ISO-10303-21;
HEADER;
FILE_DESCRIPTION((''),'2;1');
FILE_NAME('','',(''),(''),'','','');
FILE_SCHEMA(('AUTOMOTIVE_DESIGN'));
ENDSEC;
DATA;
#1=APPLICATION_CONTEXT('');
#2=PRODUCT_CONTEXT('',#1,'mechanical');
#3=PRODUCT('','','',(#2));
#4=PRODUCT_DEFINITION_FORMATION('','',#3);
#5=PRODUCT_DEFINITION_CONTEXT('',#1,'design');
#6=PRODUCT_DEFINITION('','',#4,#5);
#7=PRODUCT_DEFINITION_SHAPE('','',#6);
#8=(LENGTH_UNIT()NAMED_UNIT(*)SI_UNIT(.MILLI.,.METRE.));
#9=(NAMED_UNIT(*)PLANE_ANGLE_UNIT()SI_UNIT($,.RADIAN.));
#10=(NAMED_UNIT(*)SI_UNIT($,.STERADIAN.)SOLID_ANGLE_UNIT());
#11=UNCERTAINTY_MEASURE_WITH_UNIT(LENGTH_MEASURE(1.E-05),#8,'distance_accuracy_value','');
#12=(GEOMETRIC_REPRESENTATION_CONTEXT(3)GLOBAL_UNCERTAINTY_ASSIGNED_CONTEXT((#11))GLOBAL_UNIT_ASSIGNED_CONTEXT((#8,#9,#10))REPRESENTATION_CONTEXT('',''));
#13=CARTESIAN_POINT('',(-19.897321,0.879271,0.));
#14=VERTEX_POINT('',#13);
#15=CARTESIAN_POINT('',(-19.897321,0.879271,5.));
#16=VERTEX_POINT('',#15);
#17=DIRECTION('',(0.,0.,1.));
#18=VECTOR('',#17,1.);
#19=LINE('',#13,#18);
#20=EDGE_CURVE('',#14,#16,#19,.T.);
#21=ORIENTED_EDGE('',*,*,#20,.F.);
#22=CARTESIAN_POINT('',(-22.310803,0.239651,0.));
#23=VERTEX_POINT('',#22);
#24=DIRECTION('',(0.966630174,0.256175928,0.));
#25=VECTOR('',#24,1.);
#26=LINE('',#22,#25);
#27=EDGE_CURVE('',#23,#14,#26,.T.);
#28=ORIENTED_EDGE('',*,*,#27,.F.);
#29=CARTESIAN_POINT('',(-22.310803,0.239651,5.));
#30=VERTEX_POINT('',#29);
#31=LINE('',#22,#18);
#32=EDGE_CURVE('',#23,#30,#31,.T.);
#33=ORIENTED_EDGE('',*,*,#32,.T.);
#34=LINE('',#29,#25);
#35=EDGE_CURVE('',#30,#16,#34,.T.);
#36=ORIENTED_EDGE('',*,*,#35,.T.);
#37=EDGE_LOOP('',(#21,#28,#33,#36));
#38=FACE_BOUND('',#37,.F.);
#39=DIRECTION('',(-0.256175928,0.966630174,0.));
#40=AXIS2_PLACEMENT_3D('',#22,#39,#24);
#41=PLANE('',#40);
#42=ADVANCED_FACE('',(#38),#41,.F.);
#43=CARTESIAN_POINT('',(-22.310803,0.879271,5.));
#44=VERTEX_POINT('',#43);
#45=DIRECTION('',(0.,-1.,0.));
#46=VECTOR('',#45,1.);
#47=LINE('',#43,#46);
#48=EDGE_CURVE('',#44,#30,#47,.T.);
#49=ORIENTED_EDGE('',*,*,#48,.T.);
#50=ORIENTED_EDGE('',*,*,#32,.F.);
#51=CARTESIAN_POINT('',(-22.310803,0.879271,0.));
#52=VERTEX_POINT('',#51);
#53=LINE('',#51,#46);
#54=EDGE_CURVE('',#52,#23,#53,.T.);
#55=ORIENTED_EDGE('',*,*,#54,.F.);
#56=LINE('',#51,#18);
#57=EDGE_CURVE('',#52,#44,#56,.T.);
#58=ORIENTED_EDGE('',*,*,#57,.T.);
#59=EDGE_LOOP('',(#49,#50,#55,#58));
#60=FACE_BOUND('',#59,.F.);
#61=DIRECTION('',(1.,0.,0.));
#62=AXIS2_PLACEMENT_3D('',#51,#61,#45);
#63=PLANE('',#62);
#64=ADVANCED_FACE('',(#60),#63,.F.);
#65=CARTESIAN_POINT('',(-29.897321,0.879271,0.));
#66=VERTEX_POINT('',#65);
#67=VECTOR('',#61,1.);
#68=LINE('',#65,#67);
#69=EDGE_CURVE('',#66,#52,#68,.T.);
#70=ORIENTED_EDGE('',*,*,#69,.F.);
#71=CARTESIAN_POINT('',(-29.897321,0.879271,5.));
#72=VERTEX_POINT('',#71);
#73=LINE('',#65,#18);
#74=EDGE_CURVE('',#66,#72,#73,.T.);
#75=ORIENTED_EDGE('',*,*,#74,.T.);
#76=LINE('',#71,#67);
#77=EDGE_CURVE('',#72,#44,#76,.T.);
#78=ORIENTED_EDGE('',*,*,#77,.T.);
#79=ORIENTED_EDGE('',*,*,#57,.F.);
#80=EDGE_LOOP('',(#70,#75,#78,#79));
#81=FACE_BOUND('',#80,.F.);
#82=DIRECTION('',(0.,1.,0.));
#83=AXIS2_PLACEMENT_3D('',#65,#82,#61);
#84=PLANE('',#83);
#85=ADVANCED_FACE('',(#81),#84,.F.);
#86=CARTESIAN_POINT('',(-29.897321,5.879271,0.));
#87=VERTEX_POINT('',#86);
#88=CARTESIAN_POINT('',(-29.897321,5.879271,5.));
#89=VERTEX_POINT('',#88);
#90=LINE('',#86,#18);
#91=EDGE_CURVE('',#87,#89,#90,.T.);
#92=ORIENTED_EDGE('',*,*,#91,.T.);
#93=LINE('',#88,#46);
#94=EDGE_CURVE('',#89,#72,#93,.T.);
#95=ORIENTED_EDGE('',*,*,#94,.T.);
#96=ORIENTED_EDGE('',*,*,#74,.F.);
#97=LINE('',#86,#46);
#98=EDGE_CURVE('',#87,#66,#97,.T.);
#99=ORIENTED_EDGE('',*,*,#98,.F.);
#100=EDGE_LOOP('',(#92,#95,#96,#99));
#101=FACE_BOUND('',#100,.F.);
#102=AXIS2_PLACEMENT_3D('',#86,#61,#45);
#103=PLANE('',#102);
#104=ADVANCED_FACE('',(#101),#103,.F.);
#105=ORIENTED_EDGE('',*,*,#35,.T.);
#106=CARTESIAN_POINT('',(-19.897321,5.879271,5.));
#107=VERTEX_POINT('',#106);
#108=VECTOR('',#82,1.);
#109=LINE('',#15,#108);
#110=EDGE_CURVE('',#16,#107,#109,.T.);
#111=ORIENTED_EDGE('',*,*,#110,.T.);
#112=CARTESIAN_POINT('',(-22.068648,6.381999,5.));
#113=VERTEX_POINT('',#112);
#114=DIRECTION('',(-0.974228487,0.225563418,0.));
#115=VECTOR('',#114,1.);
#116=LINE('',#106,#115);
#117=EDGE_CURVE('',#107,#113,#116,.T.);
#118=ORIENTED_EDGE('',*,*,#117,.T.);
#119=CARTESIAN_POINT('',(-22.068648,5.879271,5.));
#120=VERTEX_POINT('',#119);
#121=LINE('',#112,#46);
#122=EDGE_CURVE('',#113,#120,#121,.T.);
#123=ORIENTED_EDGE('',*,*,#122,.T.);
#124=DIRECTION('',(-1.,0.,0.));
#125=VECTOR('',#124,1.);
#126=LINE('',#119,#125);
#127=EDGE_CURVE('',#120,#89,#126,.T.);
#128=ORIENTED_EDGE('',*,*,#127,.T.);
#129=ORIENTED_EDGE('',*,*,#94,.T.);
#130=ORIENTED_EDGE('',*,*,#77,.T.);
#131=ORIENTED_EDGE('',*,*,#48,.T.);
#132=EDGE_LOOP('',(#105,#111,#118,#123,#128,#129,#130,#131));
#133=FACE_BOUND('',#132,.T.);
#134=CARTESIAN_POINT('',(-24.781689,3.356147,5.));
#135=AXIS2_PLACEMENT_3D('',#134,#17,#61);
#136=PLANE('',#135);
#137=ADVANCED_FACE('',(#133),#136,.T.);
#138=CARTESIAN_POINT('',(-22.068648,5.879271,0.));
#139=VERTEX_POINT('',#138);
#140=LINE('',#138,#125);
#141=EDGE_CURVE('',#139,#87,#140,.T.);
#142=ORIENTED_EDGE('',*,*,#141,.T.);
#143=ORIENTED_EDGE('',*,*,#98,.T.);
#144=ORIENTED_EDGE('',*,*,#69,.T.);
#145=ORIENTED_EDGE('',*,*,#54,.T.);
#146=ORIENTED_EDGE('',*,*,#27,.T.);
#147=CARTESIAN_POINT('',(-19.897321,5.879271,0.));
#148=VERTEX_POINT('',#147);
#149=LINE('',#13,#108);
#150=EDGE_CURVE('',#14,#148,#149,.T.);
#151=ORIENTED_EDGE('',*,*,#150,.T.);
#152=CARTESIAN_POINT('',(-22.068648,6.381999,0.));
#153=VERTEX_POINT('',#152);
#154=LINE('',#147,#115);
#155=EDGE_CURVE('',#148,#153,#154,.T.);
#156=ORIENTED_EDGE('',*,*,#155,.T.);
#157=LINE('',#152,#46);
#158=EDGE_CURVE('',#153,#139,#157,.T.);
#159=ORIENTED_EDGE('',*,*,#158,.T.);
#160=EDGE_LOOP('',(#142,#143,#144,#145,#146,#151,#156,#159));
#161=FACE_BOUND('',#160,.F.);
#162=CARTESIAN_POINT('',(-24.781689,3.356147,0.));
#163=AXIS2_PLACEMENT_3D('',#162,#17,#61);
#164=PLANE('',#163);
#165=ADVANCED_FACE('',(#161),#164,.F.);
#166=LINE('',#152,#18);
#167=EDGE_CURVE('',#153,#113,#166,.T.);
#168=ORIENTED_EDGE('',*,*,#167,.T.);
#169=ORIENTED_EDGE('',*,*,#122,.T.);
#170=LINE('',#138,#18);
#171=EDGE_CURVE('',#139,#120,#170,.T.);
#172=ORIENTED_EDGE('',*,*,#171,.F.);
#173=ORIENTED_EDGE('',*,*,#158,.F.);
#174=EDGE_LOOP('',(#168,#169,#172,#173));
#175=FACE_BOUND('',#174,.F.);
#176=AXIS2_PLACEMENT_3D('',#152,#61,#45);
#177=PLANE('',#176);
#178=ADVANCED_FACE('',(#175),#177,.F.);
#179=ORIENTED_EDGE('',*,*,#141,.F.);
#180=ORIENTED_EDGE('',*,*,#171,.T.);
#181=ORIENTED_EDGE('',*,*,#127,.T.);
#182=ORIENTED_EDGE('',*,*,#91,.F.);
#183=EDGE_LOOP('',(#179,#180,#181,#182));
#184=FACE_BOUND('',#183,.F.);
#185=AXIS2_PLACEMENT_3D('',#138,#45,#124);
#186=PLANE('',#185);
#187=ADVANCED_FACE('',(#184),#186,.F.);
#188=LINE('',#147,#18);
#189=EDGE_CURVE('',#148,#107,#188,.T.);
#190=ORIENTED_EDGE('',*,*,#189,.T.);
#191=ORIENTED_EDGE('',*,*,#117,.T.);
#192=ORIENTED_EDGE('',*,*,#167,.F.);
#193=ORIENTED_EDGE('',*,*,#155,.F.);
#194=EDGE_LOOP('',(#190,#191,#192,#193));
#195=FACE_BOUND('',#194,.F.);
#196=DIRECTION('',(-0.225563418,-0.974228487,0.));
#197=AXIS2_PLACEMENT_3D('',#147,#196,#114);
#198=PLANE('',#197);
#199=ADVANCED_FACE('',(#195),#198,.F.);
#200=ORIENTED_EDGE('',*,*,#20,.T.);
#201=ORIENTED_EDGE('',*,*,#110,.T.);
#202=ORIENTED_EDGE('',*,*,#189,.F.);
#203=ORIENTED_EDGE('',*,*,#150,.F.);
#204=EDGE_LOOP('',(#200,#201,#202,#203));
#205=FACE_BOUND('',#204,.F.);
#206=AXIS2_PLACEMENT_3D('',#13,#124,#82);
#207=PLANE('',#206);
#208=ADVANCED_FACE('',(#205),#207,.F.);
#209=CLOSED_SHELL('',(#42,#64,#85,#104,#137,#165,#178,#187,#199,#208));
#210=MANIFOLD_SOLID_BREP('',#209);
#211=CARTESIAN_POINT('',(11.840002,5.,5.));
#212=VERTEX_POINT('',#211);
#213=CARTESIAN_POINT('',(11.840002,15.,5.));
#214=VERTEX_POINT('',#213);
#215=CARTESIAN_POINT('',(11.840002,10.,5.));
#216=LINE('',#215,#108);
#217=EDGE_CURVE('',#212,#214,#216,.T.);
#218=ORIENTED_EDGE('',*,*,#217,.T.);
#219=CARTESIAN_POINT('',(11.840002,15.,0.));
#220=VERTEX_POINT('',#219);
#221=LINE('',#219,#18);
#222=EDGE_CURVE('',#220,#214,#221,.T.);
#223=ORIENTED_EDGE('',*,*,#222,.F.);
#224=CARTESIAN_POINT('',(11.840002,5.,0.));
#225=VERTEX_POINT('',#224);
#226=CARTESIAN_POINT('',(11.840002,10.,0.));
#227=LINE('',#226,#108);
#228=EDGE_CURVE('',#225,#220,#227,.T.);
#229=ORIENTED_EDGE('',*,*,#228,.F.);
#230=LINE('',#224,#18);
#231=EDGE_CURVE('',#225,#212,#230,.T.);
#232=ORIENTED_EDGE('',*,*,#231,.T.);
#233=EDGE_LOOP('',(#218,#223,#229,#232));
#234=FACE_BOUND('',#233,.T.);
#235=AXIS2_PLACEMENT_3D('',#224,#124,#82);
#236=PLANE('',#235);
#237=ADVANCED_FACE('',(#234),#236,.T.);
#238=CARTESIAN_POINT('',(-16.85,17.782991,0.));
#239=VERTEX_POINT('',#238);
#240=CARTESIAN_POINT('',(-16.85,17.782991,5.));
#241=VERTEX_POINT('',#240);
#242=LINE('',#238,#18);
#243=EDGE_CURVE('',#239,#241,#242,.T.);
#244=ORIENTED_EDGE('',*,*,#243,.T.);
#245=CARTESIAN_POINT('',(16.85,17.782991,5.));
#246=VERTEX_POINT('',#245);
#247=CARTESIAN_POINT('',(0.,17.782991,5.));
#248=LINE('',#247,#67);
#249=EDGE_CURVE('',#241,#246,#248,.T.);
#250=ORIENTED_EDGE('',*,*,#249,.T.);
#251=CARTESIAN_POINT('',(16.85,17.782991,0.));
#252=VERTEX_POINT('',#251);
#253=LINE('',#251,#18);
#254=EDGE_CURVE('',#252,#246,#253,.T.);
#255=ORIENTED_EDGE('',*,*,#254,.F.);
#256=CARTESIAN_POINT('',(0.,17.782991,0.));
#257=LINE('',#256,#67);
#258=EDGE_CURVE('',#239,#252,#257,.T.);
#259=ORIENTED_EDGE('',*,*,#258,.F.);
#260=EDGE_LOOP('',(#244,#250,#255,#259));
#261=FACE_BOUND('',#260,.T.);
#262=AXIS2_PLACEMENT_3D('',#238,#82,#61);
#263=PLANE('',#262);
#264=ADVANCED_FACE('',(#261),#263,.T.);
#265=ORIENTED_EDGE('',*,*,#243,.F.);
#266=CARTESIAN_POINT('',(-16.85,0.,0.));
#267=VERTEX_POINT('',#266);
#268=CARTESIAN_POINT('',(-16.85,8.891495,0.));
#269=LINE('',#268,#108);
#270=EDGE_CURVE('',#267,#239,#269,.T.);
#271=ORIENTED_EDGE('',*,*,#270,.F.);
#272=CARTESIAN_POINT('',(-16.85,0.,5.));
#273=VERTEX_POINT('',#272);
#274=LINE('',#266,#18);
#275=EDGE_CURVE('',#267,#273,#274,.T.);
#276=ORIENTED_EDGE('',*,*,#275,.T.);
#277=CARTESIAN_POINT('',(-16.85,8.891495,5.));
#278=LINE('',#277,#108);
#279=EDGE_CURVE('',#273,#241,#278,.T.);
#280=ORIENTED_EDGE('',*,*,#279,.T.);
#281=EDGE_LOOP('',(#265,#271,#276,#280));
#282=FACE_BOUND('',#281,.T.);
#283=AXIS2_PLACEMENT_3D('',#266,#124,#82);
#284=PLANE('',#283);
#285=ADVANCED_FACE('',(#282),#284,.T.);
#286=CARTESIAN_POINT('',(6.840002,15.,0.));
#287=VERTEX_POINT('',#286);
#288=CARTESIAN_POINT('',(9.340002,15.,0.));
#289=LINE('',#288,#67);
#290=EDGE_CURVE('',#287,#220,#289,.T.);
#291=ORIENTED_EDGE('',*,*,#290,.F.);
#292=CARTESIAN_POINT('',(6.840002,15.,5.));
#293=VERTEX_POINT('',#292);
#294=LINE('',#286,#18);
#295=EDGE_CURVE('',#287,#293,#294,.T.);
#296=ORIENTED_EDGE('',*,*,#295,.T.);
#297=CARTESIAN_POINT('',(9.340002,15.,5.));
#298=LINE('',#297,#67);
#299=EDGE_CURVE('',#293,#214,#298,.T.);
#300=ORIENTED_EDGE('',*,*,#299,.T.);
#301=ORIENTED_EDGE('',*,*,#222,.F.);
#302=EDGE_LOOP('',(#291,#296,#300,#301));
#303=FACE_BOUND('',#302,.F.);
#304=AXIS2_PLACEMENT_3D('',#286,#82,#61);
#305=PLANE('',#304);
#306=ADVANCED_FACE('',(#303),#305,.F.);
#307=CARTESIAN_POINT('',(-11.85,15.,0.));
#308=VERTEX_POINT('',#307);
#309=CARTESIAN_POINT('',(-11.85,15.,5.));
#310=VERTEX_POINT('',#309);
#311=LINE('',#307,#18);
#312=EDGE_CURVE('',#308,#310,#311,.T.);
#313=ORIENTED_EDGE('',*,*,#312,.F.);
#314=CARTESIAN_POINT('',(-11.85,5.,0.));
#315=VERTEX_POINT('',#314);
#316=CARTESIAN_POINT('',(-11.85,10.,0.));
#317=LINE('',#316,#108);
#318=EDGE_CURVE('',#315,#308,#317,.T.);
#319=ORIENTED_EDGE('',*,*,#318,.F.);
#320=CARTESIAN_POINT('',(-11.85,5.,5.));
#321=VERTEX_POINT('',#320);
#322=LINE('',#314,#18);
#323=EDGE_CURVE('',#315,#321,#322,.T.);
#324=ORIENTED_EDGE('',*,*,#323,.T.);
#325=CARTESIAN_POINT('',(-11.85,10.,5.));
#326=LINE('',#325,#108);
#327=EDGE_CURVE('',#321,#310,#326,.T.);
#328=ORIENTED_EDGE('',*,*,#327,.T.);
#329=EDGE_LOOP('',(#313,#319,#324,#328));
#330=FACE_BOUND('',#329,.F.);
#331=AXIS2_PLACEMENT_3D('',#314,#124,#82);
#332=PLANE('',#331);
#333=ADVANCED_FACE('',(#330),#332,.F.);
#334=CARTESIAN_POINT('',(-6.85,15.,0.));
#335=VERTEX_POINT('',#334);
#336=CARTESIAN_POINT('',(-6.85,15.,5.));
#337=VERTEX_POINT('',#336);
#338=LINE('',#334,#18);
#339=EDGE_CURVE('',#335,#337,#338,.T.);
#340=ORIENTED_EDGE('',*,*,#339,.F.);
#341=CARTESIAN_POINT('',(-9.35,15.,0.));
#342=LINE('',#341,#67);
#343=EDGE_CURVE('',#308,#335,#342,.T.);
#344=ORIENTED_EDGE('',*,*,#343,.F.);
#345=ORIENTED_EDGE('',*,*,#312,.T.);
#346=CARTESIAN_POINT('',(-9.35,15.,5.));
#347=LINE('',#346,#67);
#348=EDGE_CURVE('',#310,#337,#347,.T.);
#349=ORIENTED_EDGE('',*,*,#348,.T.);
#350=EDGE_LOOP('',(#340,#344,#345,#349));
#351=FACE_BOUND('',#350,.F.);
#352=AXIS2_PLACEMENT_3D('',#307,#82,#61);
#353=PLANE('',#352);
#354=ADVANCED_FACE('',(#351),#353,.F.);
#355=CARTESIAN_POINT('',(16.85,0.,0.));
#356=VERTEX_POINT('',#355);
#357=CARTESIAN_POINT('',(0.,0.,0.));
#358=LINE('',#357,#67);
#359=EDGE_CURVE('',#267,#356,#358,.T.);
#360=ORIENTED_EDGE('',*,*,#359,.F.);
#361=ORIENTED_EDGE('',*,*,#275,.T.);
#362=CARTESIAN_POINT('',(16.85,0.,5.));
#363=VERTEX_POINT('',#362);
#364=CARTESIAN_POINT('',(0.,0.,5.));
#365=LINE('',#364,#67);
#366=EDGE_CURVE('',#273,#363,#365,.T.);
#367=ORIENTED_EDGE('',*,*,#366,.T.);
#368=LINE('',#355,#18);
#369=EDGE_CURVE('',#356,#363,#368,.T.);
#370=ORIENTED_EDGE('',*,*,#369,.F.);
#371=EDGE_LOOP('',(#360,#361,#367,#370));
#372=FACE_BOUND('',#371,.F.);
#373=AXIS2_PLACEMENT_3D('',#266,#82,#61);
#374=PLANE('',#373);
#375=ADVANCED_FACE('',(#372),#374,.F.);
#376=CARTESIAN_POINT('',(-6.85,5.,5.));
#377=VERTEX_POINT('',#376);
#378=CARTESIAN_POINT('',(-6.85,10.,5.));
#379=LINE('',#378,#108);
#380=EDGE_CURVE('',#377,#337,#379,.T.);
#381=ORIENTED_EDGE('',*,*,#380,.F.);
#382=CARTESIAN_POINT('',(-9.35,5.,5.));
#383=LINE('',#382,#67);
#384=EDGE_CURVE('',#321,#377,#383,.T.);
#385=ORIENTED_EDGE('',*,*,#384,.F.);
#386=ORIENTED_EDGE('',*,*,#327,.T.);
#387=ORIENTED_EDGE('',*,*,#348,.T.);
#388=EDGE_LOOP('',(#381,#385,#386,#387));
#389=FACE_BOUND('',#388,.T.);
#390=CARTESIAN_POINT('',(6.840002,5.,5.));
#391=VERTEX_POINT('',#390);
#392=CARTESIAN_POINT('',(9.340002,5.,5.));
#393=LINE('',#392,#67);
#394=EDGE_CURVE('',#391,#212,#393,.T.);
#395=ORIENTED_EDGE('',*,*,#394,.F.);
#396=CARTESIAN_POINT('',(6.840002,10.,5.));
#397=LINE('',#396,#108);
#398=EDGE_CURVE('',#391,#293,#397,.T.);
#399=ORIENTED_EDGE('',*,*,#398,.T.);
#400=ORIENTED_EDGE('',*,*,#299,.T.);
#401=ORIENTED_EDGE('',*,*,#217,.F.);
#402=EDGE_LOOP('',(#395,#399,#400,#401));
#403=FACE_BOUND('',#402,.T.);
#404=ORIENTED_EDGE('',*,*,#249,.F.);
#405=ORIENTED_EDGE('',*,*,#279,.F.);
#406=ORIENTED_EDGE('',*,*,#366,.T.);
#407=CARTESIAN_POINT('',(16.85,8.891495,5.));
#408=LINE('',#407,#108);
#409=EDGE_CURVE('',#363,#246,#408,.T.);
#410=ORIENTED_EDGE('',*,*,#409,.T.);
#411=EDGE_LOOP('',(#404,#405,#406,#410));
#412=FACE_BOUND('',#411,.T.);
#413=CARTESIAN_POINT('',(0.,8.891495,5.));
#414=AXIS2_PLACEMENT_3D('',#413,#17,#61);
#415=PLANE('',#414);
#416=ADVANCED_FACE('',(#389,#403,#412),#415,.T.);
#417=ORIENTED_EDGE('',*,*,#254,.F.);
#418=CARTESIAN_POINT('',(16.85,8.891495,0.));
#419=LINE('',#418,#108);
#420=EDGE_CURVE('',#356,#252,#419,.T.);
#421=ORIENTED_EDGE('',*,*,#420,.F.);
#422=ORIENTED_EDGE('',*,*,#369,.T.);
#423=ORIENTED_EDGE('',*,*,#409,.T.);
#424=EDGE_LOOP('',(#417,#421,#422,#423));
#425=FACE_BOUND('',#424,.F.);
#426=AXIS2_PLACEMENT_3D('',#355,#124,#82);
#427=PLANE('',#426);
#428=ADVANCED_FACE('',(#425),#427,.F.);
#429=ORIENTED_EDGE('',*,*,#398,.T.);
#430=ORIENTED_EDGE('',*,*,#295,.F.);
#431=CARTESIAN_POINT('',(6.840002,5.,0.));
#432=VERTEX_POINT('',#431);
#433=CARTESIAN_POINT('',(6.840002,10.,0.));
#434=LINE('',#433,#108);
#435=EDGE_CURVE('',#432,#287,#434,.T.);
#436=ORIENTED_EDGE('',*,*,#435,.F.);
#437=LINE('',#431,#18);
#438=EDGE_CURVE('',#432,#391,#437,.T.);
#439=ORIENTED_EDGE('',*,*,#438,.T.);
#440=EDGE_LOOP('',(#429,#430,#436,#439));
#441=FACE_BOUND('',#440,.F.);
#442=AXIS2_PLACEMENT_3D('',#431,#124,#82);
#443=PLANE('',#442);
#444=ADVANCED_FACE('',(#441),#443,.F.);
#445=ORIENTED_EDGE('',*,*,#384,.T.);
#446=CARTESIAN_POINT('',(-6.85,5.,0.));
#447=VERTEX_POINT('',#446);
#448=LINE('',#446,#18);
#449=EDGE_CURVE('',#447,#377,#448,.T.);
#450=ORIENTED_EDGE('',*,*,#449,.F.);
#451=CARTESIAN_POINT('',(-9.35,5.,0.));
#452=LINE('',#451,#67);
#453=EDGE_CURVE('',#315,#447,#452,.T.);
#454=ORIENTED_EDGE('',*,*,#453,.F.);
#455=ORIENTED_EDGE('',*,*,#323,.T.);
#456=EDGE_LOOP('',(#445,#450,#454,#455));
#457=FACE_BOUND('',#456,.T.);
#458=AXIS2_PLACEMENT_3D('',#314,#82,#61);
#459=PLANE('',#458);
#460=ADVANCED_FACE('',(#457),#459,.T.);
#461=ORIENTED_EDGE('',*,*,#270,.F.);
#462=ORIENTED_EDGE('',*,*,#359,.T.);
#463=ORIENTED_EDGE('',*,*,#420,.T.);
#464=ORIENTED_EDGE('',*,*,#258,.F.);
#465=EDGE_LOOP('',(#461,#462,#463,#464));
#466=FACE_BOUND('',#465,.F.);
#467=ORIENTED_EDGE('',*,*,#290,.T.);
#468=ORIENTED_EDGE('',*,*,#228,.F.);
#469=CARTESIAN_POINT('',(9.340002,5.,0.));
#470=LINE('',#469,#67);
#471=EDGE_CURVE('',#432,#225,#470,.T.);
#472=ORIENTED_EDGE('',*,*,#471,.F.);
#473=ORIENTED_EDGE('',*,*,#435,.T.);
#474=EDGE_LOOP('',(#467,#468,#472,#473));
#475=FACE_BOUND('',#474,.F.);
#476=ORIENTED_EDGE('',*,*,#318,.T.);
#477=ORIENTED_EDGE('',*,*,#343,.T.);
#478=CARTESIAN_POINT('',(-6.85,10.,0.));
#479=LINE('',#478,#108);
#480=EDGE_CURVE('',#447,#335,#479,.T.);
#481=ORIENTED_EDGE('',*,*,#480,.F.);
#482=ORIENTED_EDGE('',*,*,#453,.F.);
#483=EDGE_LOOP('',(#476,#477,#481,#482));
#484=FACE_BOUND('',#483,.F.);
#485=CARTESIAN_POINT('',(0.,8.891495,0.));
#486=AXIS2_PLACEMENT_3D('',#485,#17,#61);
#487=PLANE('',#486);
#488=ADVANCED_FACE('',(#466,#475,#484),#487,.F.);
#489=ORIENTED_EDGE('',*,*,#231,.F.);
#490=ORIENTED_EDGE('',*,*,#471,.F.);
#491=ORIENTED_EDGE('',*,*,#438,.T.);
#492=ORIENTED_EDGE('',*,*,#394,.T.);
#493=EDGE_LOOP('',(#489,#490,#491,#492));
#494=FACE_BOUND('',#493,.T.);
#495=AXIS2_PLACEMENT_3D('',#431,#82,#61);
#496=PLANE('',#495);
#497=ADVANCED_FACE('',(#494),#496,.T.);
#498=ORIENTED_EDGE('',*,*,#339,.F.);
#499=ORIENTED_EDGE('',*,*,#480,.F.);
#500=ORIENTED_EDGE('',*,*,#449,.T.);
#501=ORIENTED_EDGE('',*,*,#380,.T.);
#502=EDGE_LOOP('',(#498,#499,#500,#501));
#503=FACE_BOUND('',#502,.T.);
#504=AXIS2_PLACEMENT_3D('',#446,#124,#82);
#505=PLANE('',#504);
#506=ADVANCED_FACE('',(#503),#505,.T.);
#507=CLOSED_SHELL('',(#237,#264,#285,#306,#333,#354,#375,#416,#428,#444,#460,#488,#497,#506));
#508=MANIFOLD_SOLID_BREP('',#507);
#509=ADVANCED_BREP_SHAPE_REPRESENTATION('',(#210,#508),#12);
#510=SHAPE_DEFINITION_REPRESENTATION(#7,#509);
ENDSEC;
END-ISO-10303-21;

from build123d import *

# Parameters (mm, degrees)
F0_W     = 33.7
F0_H     = 17.782991
F0_W_2   = 5
F0_H_2   = 10
F1_DEPTH = 5
F3_DEPTH = 5


with BuildPart() as f1:
    # F0 (on Top) → F1 (new body)
    with BuildSketch(Plane.XY):
        with Locations((0, 8.891495)):
            Rectangle(F0_W, F0_H)
        with Locations((-9.35, 10)):
            Rectangle(F0_W_2, F0_H_2, mode=Mode.SUBTRACT)
        with Locations((9.340002, 10)):
            Rectangle(F0_W_2, F0_H_2, mode=Mode.SUBTRACT)
    extrude(amount=F1_DEPTH)


with BuildPart() as f3:
    # F2 (on Top) → F3 (new body)
    with BuildSketch(Plane.XY):
        Polygon((-29.897321, 0.879271), (-22.310803, 0.879271), (-22.310803, 0.239651), (-19.897321, 0.879271), (-19.897321, 5.879271), (-22.068648, 6.381999), (-22.068648, 5.879271), (-29.897321, 5.879271), align=None)
    extrude(amount=F3_DEPTH)


solid = Compound([f1.part, f3.part])
